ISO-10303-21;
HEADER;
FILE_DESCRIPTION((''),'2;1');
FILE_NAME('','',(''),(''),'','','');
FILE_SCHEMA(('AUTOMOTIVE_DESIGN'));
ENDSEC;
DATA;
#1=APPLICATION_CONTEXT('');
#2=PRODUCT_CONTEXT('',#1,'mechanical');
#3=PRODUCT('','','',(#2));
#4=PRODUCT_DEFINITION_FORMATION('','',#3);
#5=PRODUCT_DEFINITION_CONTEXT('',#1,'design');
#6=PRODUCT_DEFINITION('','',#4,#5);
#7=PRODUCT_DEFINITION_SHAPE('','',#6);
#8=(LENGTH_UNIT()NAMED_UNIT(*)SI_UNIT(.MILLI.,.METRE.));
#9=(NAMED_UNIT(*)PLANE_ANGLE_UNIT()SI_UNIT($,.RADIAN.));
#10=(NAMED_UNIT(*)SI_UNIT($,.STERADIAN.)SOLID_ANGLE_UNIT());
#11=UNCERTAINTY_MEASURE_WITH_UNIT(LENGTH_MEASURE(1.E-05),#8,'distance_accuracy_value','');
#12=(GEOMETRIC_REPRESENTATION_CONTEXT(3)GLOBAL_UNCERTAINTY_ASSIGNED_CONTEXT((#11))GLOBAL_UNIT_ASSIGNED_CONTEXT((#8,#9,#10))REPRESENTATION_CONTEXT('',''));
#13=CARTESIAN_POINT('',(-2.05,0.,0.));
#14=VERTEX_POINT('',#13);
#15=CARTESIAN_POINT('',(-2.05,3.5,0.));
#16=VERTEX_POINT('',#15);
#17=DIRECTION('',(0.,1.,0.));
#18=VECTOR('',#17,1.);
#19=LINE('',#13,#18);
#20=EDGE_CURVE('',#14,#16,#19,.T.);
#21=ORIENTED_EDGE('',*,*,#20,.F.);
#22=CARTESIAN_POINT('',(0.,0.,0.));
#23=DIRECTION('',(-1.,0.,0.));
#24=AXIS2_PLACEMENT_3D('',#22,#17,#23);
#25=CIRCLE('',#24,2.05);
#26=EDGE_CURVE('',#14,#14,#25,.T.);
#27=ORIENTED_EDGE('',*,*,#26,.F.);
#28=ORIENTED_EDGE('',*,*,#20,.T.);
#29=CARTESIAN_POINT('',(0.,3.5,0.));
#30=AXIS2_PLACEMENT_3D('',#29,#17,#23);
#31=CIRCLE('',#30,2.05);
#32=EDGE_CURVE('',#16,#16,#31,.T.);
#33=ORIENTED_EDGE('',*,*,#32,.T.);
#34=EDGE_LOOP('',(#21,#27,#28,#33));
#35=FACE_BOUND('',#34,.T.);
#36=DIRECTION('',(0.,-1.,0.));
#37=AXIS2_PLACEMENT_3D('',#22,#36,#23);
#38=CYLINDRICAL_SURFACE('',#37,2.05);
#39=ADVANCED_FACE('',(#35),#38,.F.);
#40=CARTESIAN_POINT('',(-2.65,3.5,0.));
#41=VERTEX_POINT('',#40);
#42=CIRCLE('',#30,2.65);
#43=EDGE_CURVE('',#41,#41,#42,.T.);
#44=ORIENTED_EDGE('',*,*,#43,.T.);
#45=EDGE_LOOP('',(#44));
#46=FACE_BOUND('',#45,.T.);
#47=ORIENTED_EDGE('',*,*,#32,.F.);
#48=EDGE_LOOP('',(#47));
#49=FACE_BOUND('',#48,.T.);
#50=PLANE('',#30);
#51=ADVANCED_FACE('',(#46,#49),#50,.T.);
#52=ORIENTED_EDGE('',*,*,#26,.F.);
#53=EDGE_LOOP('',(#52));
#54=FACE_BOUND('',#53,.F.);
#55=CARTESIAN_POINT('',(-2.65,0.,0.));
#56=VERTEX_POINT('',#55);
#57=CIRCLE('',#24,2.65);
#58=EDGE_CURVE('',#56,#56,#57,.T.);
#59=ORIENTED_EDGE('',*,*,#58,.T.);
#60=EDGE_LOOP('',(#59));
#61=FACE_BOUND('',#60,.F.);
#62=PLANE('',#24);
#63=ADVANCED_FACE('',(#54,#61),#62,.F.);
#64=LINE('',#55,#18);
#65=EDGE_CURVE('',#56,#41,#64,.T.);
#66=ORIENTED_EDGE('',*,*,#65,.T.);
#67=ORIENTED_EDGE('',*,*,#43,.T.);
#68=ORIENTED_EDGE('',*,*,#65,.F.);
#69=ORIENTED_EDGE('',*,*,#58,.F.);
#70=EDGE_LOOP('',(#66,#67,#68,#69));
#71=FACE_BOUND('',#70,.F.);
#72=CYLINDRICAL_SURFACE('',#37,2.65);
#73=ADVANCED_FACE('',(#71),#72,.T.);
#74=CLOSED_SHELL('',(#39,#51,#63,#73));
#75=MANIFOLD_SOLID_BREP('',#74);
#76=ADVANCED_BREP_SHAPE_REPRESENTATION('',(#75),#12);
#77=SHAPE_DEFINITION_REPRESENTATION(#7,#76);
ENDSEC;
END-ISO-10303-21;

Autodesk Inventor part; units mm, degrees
ref_plane "YZ Plane" through (0, 0, 0) normal (1, 0, 0) x (0, 1, 0)
ref_plane "XZ Plane" through (0, 0, 0) normal (0, 1, 0) x (-1, 0, 0)
ref_plane "XY Plane" through (0, 0, 0) normal (0, 0, 1) x (1, 0, 0)
sketch "스케치1" plane through (0, 0, 0) normal (0, 1, 0) x (-1, 0, 0)
  circle A0 centre (0, 0) radius 2.05
  circle A1 centre (0, 0) radius 2.65
  dimension "d0" = 4.1
  dimension "d1" = 5.3
extrude "돌출1" add sketch "스케치1" along normal blind 3.5
properties part number "terminalcap_4.1mm"
